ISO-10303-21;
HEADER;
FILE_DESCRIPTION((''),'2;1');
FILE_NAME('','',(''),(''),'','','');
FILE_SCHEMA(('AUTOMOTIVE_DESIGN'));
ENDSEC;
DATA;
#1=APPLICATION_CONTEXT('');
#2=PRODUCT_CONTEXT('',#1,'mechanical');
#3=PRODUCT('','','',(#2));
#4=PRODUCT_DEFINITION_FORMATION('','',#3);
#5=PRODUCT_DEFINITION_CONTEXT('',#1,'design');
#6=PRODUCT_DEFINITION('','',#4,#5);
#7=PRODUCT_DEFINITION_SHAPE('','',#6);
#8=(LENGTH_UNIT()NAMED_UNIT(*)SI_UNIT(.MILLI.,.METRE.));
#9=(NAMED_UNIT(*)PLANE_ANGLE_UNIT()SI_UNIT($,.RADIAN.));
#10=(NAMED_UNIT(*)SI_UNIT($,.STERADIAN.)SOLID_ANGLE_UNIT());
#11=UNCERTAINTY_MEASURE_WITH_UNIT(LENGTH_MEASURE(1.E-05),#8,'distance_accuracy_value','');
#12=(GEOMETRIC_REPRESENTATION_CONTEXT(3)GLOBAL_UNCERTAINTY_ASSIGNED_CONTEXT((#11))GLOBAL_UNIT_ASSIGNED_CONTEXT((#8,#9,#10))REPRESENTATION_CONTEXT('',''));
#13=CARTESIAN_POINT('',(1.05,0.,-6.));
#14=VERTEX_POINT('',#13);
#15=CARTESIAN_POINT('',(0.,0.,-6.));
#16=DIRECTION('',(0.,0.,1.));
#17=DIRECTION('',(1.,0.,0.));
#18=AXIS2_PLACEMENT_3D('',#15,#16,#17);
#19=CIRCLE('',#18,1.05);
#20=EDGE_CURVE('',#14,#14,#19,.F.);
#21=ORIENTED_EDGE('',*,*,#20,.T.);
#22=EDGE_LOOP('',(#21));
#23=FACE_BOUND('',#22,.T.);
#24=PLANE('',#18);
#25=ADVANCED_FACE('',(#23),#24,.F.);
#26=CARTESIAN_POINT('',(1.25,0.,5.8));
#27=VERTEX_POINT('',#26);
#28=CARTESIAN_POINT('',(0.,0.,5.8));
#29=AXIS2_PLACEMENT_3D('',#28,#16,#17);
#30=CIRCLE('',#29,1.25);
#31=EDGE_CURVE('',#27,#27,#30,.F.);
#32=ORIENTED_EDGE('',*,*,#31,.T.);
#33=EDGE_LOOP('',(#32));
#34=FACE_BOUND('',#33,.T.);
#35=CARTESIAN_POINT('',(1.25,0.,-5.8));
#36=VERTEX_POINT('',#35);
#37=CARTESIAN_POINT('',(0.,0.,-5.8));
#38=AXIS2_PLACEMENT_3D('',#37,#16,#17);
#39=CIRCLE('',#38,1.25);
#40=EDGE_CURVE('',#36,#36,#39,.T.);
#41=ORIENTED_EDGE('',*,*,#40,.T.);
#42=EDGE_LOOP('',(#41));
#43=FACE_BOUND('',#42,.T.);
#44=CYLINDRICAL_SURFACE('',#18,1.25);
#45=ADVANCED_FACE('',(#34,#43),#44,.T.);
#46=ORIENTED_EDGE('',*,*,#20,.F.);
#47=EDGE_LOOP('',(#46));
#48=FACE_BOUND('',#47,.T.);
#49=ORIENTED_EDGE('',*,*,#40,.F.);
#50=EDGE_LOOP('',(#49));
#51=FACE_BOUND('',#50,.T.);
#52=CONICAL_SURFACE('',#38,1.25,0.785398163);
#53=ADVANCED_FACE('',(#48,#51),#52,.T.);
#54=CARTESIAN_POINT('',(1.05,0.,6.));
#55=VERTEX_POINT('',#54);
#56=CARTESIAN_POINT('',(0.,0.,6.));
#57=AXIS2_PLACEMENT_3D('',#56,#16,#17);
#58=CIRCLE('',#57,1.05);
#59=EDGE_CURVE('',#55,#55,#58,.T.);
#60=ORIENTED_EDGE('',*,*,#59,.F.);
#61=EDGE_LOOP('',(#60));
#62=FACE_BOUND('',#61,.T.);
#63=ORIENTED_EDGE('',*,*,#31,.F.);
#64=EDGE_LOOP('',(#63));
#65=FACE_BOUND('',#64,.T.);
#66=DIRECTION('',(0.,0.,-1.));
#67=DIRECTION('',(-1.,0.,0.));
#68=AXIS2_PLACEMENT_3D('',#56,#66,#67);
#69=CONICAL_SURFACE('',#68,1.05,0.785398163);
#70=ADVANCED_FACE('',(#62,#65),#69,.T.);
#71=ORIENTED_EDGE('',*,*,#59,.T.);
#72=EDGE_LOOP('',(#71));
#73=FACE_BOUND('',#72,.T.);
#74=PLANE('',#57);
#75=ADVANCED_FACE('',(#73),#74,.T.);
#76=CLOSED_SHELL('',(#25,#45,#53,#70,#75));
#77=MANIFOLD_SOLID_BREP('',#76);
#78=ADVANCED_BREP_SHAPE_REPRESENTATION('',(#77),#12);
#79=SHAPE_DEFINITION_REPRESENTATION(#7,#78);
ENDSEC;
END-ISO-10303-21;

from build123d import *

# Parameters (mm, degrees)
AUFSATZ_LINEAR_AUSTRAGEN1_DEPTH      = 6
AUFSATZ_LINEAR_AUSTRAGEN1_DEPTH_BACK = 6
SKIZZE1_R                            = 1.25
FASE1_SIZE                           = 0.2


with BuildPart() as part:
    # Skizze1 → Aufsatz-Linear austragen1 (new, two sides: drawn at the far end of the back side and taken through both)
    with BuildSketch(Plane.XY.offset(-AUFSATZ_LINEAR_AUSTRAGEN1_DEPTH_BACK)):
        Circle(SKIZZE1_R)
    extrude(amount=AUFSATZ_LINEAR_AUSTRAGEN1_DEPTH + AUFSATZ_LINEAR_AUSTRAGEN1_DEPTH_BACK)

    # Fase1
    fase1_edges = [part.edges().sort_by_distance(p)[0] for p in [
        (-1.25, 0, -6),
        (-1.25, 0, 6),
    ]]
    chamfer(fase1_edges, length=FASE1_SIZE)


solid = part.part
